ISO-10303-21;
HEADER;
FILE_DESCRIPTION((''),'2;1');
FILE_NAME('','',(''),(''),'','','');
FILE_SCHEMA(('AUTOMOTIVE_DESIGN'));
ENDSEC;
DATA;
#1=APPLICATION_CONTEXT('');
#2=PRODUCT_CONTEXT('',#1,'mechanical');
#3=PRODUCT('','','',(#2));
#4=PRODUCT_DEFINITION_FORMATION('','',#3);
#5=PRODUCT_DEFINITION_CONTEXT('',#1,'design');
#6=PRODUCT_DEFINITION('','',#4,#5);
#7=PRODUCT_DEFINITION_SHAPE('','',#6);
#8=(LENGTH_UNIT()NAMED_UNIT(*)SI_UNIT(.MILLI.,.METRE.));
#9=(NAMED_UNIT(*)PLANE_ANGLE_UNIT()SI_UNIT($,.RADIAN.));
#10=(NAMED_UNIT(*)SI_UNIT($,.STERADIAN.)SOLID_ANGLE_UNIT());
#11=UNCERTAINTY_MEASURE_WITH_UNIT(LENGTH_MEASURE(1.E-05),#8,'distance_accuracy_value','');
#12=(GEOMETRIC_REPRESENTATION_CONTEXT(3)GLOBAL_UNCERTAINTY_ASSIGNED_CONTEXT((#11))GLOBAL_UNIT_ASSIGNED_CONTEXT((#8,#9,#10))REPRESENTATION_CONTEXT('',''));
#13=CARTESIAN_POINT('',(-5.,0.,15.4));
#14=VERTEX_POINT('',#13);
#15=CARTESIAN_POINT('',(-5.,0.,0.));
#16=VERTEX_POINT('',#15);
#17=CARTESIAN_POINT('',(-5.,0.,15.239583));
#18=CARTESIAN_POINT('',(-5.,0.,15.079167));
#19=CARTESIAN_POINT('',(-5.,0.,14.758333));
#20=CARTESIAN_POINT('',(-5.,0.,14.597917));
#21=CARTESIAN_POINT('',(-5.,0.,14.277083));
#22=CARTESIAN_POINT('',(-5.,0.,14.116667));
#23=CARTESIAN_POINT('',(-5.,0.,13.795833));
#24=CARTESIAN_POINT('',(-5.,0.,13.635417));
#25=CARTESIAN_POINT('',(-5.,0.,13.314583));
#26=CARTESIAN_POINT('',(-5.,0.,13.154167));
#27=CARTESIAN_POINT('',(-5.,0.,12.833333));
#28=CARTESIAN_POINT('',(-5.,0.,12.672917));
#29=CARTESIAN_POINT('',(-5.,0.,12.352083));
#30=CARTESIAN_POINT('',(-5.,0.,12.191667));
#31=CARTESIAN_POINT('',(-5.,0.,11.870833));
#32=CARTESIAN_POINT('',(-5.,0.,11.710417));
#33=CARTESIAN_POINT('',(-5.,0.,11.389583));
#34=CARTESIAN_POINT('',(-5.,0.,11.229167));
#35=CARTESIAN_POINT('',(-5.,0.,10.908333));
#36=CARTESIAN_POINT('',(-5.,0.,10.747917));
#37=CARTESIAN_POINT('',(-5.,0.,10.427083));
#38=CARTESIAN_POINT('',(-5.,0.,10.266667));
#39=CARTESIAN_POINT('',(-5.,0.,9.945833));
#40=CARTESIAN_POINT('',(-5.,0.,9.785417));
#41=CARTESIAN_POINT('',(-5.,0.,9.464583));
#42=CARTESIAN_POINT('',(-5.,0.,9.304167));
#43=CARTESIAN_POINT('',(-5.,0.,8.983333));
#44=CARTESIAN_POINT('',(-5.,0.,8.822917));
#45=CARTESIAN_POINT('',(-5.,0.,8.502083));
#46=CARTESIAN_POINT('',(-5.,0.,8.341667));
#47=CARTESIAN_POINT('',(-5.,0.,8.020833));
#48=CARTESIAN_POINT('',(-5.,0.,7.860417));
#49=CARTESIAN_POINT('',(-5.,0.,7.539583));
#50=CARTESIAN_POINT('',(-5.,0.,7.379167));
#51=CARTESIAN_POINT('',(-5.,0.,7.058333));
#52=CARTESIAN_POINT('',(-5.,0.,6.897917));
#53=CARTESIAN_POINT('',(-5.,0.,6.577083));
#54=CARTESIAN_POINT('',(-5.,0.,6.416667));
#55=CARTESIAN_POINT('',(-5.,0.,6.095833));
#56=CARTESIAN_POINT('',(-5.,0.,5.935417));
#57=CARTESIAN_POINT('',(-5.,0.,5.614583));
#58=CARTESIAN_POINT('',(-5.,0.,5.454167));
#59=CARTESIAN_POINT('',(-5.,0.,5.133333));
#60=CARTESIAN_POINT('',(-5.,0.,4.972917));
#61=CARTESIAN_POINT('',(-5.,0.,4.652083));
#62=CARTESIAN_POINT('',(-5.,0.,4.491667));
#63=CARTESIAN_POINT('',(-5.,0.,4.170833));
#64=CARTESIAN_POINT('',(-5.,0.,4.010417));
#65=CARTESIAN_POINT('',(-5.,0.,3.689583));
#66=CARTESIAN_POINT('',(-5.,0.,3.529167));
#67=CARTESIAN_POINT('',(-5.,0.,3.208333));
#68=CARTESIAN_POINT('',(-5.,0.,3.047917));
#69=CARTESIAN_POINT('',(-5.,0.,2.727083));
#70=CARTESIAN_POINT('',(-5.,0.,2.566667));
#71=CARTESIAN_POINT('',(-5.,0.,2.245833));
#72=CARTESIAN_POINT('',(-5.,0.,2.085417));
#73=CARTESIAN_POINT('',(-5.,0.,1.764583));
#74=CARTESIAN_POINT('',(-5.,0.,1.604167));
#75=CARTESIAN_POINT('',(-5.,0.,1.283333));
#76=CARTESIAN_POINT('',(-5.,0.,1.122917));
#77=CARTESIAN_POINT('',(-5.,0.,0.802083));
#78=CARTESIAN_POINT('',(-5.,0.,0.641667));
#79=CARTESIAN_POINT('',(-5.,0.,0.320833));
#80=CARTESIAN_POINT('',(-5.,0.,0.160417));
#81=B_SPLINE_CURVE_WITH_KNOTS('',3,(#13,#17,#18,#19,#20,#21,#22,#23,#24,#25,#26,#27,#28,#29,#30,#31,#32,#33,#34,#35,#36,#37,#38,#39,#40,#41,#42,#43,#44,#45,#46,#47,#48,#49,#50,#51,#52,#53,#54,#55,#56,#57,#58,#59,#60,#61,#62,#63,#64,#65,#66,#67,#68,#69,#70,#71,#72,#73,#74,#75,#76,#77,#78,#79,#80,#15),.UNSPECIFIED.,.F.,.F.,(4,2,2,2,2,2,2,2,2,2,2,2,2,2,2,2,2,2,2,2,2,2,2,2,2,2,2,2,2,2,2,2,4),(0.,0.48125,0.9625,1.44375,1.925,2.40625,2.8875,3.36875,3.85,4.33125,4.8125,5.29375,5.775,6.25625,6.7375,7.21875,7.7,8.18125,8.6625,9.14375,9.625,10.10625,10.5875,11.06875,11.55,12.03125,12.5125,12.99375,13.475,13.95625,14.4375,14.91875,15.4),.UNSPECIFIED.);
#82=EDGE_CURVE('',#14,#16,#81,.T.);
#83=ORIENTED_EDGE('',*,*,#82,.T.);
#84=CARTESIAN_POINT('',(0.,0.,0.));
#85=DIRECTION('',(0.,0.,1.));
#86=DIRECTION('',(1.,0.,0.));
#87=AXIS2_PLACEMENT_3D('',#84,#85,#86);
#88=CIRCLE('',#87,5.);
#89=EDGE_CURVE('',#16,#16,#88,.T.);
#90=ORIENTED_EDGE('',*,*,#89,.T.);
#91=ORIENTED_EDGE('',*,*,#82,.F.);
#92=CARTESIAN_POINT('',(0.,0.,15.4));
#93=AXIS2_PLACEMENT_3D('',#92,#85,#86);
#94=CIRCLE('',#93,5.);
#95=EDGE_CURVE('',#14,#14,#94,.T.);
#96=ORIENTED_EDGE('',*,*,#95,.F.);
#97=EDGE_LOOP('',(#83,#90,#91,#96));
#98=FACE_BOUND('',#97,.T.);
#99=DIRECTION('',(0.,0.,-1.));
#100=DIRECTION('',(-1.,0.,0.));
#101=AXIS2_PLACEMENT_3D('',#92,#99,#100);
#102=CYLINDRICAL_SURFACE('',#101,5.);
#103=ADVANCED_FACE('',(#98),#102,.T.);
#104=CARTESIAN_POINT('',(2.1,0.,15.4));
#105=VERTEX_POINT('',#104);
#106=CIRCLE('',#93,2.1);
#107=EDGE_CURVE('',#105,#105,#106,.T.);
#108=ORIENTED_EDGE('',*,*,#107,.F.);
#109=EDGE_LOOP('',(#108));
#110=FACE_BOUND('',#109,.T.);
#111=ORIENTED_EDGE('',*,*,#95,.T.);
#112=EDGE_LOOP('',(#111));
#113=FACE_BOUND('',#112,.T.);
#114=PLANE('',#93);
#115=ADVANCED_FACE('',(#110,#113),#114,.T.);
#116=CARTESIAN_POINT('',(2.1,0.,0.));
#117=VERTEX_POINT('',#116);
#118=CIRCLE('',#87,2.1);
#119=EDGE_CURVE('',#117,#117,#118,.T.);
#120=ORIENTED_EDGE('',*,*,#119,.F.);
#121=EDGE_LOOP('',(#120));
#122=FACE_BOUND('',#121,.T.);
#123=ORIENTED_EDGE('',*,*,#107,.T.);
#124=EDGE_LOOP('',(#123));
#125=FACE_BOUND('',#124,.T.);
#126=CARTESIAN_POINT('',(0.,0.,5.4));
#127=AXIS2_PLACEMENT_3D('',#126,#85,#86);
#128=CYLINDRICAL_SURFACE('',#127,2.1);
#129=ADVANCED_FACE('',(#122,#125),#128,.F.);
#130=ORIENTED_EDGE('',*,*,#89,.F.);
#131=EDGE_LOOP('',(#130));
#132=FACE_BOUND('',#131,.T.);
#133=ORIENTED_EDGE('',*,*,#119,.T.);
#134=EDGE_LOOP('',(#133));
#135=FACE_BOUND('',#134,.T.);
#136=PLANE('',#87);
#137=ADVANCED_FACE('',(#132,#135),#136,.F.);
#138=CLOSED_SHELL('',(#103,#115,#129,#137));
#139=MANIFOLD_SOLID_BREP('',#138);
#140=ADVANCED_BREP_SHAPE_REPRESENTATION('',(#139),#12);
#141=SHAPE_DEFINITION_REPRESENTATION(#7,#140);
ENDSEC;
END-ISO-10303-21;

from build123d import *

# Parameters (mm, degrees)
SKETCH_1_R          = 5
EXTRUDE_1_DEPTH     = 15.4
SKETCH_2_R          = 2.1
CUT_EXTRUDE_1_DEPTH = 10


with BuildPart() as part:
    # ｽｹｯﾁ1 → ﾎﾞｽ - 押し出し1 (new body)
    with BuildSketch(Plane.XY):
        with Locations(Location((0, 0, 0), (0, 0, 180))):
            Circle(SKETCH_1_R)
    extrude(amount=EXTRUDE_1_DEPTH)

    # ｽｹｯﾁ2 → ｶｯﾄ - 押し出し1 (cut)
    with BuildSketch(Plane.XY.offset(15.4)):
        Circle(SKETCH_2_R)
    cut_extrude_1 = extrude(amount=-CUT_EXTRUDE_1_DEPTH, mode=Mode.SUBTRACT)

    # ﾐﾗｰ1: ｶｯﾄ - 押し出し1 across plane
    add(cut_extrude_1.mirror(Plane.XY.offset(7.7)), mode=Mode.SUBTRACT)


solid = part.part
